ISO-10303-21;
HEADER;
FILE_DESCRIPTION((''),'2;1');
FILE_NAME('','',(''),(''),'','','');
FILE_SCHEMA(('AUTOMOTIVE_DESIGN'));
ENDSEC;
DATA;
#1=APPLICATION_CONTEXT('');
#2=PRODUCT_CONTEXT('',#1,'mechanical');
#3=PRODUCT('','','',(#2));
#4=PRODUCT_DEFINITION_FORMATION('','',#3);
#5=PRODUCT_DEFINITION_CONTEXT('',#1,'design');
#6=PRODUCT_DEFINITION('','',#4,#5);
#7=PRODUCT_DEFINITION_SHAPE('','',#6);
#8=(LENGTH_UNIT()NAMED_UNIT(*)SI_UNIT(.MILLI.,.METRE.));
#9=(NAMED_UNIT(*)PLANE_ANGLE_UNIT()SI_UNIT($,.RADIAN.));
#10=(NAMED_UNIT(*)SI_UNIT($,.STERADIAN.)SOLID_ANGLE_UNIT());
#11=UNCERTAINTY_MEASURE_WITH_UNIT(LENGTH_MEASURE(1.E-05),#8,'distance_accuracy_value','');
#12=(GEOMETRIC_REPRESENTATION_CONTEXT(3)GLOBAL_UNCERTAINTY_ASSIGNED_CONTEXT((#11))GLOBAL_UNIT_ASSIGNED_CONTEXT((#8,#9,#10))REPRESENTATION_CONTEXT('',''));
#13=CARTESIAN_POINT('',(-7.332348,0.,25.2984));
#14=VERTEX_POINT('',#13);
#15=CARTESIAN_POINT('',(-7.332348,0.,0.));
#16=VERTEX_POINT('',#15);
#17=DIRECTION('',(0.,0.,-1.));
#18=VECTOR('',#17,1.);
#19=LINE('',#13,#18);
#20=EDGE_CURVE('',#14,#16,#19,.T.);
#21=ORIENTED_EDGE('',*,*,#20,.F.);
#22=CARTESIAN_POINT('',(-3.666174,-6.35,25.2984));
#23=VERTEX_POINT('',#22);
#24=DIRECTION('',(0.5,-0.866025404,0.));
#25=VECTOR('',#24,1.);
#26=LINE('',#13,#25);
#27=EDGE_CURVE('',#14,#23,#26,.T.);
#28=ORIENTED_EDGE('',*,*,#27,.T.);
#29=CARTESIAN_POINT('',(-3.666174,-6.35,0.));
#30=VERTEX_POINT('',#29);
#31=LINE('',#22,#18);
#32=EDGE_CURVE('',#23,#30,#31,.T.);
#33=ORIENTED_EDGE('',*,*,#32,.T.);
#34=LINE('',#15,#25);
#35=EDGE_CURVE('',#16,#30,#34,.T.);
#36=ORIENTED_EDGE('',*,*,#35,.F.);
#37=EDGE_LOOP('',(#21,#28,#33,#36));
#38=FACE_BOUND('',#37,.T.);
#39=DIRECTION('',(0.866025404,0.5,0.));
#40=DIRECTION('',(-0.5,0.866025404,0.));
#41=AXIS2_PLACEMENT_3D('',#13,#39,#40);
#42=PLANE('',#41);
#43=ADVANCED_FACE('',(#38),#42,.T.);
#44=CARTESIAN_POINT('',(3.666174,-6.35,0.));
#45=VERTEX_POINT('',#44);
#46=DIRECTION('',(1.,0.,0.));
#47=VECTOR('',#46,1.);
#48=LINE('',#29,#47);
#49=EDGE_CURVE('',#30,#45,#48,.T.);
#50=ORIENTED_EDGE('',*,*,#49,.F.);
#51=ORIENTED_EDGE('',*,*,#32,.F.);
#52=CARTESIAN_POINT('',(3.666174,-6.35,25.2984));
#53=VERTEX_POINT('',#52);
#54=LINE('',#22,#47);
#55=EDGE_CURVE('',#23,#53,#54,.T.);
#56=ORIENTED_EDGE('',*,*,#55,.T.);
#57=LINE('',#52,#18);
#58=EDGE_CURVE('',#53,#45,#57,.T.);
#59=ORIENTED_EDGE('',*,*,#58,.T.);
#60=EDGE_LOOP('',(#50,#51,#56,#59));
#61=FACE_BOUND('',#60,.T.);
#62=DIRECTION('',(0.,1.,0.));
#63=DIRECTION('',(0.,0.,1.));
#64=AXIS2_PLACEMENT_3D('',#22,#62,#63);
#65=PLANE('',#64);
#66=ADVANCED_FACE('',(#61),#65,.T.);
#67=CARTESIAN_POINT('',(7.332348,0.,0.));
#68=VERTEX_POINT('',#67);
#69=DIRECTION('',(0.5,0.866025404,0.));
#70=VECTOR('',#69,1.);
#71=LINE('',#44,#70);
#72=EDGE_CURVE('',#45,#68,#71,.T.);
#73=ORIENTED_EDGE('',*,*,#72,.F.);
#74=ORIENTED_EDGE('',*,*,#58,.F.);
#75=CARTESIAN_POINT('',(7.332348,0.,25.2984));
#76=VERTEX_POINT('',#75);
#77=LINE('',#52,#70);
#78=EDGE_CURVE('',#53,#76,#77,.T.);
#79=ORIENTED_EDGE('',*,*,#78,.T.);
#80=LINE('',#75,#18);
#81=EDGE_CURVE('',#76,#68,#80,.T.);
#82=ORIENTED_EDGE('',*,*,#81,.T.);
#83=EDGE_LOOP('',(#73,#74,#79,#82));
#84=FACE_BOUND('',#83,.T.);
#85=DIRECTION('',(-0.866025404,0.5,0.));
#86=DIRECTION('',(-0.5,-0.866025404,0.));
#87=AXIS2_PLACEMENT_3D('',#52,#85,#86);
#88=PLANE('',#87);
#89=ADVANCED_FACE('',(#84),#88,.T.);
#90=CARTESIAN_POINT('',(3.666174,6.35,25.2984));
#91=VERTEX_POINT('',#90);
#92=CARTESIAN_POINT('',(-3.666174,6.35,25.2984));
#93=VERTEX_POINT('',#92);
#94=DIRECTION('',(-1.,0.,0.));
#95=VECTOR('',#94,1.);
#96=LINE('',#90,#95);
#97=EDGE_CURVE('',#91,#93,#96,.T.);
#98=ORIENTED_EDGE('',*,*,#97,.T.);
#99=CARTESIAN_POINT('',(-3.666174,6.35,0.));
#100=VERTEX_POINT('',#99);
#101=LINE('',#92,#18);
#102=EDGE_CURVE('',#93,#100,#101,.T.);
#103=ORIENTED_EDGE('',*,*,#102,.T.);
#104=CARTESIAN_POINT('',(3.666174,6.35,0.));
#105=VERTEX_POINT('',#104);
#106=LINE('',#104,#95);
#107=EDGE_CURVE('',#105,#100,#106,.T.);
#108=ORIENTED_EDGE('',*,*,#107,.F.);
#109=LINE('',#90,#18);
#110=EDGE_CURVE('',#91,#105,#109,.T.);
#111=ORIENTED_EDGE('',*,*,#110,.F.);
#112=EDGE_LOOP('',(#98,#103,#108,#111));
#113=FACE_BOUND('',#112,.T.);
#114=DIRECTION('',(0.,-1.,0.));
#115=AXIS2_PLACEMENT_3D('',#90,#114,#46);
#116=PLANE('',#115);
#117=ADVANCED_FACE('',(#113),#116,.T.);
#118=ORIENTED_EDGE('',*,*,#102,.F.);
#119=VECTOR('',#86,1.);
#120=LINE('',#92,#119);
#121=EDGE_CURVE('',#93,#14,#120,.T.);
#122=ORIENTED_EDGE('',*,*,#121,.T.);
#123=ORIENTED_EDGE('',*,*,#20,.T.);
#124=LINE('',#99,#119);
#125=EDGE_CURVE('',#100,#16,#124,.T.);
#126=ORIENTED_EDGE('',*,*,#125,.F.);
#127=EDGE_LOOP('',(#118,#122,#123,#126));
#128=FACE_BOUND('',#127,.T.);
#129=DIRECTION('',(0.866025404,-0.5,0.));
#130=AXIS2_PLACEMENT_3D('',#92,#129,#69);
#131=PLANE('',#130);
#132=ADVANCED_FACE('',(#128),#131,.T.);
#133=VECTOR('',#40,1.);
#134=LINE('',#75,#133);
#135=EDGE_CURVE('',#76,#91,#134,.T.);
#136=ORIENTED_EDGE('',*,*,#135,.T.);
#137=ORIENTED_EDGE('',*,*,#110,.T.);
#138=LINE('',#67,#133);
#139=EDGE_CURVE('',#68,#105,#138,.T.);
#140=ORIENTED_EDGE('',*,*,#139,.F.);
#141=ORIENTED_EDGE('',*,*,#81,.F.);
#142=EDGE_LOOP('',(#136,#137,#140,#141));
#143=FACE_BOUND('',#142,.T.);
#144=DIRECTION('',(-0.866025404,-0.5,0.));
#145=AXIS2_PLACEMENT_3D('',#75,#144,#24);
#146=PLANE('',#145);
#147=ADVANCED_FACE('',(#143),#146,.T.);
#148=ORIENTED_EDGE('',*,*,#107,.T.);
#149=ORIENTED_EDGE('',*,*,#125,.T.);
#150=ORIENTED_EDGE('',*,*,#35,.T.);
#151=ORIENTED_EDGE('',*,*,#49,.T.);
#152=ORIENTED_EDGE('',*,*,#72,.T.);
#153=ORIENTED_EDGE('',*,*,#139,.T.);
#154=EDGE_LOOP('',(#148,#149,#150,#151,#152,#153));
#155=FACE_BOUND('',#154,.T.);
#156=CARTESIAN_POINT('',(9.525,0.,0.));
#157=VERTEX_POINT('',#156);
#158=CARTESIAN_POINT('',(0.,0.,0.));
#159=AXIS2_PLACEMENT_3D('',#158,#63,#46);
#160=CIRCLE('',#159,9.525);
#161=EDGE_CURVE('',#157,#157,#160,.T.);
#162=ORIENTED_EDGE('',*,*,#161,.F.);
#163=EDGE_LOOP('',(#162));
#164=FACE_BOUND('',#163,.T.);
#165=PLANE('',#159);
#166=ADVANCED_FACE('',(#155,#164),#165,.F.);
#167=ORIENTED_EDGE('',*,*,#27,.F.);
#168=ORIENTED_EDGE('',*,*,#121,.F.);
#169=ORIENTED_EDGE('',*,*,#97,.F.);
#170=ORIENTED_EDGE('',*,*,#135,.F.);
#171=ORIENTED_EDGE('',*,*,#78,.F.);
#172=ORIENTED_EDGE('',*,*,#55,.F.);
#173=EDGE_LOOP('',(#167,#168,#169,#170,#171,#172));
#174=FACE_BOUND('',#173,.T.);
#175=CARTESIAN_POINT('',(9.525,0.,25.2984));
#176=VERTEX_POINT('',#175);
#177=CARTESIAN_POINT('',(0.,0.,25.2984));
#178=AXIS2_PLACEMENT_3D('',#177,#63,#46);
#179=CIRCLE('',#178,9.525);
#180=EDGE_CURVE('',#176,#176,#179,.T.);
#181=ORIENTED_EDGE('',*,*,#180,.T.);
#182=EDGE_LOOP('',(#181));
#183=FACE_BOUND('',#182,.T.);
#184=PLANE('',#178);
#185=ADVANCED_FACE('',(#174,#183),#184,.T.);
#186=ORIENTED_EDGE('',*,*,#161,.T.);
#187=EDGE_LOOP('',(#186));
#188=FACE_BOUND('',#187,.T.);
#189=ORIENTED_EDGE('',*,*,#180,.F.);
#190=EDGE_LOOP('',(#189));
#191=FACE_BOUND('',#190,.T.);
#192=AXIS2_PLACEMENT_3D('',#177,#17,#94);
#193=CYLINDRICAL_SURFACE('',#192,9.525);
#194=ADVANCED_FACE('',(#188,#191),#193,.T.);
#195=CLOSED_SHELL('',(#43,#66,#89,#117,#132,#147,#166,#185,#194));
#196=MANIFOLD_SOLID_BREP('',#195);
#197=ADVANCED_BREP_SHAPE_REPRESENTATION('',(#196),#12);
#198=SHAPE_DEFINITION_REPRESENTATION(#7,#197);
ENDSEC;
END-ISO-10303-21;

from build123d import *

# Parameters (mm, degrees)
SKETCH1_R           = 9.525
BOSS_EXTRUDE1_DEPTH = 25.2984


with BuildPart() as part:
    # Sketch1 → Boss-Extrude1 (new body)
    with BuildSketch(Plane.XY):
        Circle(SKETCH1_R)
        Polygon((-3.666174209, 6.35), (-7.332348419, 0), (-3.666174209, -6.35), (3.666174209, -6.35), (7.332348419, 0), (3.666174209, 6.35), align=None, mode=Mode.SUBTRACT)
    extrude(amount=BOSS_EXTRUDE1_DEPTH)


solid = part.part
